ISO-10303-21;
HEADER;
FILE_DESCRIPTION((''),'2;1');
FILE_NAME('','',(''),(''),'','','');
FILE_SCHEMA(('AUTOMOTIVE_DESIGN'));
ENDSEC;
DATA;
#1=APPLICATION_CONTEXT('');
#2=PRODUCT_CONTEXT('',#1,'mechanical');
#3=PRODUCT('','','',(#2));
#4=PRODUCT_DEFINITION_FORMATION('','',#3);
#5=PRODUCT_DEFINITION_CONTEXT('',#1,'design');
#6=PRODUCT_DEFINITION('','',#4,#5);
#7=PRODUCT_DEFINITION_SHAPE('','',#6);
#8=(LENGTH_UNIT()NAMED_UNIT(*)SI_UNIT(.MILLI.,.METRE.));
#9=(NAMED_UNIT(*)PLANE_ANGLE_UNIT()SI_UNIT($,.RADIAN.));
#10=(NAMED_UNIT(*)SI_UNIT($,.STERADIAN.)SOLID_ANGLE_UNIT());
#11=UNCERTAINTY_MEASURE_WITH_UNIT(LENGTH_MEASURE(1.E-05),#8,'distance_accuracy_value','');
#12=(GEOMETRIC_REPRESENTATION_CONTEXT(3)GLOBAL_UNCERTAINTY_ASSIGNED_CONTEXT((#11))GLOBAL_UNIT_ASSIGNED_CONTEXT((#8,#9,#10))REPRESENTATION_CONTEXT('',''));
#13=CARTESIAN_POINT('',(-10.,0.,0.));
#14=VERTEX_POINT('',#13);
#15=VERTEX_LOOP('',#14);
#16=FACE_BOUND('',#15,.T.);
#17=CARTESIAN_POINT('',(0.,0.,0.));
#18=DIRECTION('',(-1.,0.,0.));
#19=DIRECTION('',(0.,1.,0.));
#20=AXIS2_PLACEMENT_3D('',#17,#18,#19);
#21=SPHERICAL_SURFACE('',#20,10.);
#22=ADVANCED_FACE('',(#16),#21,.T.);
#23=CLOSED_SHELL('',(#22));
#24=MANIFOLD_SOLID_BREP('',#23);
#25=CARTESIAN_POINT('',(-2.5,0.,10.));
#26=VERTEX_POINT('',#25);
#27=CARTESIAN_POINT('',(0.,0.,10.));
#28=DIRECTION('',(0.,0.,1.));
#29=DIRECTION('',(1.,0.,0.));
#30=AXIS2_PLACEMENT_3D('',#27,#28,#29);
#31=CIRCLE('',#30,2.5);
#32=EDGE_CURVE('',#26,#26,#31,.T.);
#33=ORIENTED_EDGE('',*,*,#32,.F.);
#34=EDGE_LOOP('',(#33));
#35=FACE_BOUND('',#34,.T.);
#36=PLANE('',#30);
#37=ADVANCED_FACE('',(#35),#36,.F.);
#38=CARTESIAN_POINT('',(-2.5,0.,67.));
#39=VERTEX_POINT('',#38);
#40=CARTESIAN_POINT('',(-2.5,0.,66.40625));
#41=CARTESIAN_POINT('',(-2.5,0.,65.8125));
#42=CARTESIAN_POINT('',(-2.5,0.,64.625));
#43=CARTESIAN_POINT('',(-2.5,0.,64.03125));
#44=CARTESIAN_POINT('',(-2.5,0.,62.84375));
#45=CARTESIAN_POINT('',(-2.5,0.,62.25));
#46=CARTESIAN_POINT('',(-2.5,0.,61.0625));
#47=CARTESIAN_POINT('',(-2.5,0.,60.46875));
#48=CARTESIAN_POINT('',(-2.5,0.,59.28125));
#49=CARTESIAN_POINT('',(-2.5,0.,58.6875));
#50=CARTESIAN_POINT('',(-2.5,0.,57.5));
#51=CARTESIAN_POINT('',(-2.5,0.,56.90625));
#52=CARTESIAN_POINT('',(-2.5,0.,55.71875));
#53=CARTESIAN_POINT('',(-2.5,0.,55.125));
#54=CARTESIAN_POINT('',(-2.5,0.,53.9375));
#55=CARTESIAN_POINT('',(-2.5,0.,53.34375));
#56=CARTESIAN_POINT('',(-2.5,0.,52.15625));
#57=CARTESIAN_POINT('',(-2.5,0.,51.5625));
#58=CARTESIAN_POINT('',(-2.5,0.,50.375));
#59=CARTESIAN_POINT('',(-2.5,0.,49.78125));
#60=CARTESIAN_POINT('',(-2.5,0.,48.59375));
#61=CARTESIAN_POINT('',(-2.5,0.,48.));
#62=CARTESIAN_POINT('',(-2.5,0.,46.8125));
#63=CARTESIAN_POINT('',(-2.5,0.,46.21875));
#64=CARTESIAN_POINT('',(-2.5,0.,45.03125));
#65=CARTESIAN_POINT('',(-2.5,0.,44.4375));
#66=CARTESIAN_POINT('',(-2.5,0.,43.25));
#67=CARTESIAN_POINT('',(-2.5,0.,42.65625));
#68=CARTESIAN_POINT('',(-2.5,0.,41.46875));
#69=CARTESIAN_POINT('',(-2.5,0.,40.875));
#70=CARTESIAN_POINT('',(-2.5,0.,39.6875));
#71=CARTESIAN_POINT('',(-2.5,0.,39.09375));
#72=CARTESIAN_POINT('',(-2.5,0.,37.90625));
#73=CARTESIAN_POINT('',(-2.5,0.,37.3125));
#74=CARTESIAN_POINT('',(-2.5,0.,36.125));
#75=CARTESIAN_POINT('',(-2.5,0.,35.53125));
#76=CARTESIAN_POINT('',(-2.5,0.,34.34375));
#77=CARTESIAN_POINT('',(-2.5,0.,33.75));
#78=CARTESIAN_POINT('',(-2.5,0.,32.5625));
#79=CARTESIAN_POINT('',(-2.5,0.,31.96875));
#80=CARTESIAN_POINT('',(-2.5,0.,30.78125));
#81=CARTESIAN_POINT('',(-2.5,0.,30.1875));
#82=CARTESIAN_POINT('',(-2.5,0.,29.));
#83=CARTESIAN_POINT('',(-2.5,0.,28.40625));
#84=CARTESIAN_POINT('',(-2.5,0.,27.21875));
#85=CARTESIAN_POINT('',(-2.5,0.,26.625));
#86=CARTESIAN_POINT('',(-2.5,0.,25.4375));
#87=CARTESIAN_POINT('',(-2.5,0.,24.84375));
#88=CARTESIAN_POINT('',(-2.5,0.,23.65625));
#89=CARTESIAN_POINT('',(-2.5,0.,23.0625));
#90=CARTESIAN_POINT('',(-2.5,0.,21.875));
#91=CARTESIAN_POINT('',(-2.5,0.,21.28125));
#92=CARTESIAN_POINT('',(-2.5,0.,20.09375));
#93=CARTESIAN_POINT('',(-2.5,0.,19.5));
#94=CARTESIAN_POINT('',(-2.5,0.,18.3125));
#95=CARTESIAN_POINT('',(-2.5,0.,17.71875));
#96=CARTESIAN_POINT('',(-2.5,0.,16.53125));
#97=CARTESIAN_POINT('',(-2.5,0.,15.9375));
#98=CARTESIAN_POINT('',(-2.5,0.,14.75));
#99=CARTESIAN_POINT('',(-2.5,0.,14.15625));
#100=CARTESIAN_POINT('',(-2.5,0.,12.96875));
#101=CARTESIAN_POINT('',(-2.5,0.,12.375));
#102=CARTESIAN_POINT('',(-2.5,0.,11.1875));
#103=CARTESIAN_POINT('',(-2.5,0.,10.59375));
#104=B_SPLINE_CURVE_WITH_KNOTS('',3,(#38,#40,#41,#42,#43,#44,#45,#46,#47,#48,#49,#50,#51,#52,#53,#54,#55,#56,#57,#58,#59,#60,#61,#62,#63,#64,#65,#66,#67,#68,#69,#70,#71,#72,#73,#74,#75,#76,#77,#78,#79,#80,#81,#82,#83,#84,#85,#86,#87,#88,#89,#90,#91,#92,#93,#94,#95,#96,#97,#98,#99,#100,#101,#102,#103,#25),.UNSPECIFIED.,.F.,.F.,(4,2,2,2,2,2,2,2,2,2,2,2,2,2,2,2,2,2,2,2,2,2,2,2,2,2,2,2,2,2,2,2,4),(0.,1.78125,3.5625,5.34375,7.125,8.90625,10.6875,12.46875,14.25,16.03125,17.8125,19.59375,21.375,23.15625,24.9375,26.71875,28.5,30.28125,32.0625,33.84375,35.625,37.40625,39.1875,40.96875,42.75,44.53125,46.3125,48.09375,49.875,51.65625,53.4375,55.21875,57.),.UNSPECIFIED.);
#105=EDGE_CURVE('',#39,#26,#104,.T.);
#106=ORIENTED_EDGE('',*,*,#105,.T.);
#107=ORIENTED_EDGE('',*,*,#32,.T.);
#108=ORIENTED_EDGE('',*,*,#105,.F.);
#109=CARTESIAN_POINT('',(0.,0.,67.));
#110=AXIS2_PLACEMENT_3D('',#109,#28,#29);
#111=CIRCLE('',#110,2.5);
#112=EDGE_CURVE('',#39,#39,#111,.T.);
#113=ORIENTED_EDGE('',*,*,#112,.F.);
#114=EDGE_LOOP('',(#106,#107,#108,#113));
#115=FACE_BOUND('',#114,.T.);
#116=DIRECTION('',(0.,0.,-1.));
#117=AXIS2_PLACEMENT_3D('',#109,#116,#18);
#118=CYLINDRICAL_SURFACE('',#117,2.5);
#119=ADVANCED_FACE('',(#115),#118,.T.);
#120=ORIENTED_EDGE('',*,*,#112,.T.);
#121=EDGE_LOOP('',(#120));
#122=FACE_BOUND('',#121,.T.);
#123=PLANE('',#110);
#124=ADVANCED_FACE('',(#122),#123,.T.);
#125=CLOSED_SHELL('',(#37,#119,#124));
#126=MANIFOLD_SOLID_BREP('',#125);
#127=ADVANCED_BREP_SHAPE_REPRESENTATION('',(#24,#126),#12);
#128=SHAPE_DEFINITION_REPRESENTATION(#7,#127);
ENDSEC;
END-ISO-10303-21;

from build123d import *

# Parameters (mm, degrees)
SKETCH3_R           = 2.5
BOSS_EXTRUDE2_DEPTH = 57


with BuildPart() as part:
    # Sketch1 → Revolve1 (revolve)
    with BuildSketch(Plane.XY):
        with BuildLine():
            Line((10, 0), (-10, 0))
            ThreePointArc((-10, 0), (0, -10), (10, 0))
        make_face()
    revolve(axis=Axis((-10, 0, 0), (1, 0, 0)))


with BuildPart() as body_2:
    # Sketch3 → Boss-Extrude2 (new body)
    with BuildSketch(Plane.XY.offset(10)):
        with Locations(Location((0, 0, 0), (0, 0, 180))):
            Circle(SKETCH3_R)
    extrude(amount=BOSS_EXTRUDE2_DEPTH)


solid = Compound([part.part, body_2.part])
